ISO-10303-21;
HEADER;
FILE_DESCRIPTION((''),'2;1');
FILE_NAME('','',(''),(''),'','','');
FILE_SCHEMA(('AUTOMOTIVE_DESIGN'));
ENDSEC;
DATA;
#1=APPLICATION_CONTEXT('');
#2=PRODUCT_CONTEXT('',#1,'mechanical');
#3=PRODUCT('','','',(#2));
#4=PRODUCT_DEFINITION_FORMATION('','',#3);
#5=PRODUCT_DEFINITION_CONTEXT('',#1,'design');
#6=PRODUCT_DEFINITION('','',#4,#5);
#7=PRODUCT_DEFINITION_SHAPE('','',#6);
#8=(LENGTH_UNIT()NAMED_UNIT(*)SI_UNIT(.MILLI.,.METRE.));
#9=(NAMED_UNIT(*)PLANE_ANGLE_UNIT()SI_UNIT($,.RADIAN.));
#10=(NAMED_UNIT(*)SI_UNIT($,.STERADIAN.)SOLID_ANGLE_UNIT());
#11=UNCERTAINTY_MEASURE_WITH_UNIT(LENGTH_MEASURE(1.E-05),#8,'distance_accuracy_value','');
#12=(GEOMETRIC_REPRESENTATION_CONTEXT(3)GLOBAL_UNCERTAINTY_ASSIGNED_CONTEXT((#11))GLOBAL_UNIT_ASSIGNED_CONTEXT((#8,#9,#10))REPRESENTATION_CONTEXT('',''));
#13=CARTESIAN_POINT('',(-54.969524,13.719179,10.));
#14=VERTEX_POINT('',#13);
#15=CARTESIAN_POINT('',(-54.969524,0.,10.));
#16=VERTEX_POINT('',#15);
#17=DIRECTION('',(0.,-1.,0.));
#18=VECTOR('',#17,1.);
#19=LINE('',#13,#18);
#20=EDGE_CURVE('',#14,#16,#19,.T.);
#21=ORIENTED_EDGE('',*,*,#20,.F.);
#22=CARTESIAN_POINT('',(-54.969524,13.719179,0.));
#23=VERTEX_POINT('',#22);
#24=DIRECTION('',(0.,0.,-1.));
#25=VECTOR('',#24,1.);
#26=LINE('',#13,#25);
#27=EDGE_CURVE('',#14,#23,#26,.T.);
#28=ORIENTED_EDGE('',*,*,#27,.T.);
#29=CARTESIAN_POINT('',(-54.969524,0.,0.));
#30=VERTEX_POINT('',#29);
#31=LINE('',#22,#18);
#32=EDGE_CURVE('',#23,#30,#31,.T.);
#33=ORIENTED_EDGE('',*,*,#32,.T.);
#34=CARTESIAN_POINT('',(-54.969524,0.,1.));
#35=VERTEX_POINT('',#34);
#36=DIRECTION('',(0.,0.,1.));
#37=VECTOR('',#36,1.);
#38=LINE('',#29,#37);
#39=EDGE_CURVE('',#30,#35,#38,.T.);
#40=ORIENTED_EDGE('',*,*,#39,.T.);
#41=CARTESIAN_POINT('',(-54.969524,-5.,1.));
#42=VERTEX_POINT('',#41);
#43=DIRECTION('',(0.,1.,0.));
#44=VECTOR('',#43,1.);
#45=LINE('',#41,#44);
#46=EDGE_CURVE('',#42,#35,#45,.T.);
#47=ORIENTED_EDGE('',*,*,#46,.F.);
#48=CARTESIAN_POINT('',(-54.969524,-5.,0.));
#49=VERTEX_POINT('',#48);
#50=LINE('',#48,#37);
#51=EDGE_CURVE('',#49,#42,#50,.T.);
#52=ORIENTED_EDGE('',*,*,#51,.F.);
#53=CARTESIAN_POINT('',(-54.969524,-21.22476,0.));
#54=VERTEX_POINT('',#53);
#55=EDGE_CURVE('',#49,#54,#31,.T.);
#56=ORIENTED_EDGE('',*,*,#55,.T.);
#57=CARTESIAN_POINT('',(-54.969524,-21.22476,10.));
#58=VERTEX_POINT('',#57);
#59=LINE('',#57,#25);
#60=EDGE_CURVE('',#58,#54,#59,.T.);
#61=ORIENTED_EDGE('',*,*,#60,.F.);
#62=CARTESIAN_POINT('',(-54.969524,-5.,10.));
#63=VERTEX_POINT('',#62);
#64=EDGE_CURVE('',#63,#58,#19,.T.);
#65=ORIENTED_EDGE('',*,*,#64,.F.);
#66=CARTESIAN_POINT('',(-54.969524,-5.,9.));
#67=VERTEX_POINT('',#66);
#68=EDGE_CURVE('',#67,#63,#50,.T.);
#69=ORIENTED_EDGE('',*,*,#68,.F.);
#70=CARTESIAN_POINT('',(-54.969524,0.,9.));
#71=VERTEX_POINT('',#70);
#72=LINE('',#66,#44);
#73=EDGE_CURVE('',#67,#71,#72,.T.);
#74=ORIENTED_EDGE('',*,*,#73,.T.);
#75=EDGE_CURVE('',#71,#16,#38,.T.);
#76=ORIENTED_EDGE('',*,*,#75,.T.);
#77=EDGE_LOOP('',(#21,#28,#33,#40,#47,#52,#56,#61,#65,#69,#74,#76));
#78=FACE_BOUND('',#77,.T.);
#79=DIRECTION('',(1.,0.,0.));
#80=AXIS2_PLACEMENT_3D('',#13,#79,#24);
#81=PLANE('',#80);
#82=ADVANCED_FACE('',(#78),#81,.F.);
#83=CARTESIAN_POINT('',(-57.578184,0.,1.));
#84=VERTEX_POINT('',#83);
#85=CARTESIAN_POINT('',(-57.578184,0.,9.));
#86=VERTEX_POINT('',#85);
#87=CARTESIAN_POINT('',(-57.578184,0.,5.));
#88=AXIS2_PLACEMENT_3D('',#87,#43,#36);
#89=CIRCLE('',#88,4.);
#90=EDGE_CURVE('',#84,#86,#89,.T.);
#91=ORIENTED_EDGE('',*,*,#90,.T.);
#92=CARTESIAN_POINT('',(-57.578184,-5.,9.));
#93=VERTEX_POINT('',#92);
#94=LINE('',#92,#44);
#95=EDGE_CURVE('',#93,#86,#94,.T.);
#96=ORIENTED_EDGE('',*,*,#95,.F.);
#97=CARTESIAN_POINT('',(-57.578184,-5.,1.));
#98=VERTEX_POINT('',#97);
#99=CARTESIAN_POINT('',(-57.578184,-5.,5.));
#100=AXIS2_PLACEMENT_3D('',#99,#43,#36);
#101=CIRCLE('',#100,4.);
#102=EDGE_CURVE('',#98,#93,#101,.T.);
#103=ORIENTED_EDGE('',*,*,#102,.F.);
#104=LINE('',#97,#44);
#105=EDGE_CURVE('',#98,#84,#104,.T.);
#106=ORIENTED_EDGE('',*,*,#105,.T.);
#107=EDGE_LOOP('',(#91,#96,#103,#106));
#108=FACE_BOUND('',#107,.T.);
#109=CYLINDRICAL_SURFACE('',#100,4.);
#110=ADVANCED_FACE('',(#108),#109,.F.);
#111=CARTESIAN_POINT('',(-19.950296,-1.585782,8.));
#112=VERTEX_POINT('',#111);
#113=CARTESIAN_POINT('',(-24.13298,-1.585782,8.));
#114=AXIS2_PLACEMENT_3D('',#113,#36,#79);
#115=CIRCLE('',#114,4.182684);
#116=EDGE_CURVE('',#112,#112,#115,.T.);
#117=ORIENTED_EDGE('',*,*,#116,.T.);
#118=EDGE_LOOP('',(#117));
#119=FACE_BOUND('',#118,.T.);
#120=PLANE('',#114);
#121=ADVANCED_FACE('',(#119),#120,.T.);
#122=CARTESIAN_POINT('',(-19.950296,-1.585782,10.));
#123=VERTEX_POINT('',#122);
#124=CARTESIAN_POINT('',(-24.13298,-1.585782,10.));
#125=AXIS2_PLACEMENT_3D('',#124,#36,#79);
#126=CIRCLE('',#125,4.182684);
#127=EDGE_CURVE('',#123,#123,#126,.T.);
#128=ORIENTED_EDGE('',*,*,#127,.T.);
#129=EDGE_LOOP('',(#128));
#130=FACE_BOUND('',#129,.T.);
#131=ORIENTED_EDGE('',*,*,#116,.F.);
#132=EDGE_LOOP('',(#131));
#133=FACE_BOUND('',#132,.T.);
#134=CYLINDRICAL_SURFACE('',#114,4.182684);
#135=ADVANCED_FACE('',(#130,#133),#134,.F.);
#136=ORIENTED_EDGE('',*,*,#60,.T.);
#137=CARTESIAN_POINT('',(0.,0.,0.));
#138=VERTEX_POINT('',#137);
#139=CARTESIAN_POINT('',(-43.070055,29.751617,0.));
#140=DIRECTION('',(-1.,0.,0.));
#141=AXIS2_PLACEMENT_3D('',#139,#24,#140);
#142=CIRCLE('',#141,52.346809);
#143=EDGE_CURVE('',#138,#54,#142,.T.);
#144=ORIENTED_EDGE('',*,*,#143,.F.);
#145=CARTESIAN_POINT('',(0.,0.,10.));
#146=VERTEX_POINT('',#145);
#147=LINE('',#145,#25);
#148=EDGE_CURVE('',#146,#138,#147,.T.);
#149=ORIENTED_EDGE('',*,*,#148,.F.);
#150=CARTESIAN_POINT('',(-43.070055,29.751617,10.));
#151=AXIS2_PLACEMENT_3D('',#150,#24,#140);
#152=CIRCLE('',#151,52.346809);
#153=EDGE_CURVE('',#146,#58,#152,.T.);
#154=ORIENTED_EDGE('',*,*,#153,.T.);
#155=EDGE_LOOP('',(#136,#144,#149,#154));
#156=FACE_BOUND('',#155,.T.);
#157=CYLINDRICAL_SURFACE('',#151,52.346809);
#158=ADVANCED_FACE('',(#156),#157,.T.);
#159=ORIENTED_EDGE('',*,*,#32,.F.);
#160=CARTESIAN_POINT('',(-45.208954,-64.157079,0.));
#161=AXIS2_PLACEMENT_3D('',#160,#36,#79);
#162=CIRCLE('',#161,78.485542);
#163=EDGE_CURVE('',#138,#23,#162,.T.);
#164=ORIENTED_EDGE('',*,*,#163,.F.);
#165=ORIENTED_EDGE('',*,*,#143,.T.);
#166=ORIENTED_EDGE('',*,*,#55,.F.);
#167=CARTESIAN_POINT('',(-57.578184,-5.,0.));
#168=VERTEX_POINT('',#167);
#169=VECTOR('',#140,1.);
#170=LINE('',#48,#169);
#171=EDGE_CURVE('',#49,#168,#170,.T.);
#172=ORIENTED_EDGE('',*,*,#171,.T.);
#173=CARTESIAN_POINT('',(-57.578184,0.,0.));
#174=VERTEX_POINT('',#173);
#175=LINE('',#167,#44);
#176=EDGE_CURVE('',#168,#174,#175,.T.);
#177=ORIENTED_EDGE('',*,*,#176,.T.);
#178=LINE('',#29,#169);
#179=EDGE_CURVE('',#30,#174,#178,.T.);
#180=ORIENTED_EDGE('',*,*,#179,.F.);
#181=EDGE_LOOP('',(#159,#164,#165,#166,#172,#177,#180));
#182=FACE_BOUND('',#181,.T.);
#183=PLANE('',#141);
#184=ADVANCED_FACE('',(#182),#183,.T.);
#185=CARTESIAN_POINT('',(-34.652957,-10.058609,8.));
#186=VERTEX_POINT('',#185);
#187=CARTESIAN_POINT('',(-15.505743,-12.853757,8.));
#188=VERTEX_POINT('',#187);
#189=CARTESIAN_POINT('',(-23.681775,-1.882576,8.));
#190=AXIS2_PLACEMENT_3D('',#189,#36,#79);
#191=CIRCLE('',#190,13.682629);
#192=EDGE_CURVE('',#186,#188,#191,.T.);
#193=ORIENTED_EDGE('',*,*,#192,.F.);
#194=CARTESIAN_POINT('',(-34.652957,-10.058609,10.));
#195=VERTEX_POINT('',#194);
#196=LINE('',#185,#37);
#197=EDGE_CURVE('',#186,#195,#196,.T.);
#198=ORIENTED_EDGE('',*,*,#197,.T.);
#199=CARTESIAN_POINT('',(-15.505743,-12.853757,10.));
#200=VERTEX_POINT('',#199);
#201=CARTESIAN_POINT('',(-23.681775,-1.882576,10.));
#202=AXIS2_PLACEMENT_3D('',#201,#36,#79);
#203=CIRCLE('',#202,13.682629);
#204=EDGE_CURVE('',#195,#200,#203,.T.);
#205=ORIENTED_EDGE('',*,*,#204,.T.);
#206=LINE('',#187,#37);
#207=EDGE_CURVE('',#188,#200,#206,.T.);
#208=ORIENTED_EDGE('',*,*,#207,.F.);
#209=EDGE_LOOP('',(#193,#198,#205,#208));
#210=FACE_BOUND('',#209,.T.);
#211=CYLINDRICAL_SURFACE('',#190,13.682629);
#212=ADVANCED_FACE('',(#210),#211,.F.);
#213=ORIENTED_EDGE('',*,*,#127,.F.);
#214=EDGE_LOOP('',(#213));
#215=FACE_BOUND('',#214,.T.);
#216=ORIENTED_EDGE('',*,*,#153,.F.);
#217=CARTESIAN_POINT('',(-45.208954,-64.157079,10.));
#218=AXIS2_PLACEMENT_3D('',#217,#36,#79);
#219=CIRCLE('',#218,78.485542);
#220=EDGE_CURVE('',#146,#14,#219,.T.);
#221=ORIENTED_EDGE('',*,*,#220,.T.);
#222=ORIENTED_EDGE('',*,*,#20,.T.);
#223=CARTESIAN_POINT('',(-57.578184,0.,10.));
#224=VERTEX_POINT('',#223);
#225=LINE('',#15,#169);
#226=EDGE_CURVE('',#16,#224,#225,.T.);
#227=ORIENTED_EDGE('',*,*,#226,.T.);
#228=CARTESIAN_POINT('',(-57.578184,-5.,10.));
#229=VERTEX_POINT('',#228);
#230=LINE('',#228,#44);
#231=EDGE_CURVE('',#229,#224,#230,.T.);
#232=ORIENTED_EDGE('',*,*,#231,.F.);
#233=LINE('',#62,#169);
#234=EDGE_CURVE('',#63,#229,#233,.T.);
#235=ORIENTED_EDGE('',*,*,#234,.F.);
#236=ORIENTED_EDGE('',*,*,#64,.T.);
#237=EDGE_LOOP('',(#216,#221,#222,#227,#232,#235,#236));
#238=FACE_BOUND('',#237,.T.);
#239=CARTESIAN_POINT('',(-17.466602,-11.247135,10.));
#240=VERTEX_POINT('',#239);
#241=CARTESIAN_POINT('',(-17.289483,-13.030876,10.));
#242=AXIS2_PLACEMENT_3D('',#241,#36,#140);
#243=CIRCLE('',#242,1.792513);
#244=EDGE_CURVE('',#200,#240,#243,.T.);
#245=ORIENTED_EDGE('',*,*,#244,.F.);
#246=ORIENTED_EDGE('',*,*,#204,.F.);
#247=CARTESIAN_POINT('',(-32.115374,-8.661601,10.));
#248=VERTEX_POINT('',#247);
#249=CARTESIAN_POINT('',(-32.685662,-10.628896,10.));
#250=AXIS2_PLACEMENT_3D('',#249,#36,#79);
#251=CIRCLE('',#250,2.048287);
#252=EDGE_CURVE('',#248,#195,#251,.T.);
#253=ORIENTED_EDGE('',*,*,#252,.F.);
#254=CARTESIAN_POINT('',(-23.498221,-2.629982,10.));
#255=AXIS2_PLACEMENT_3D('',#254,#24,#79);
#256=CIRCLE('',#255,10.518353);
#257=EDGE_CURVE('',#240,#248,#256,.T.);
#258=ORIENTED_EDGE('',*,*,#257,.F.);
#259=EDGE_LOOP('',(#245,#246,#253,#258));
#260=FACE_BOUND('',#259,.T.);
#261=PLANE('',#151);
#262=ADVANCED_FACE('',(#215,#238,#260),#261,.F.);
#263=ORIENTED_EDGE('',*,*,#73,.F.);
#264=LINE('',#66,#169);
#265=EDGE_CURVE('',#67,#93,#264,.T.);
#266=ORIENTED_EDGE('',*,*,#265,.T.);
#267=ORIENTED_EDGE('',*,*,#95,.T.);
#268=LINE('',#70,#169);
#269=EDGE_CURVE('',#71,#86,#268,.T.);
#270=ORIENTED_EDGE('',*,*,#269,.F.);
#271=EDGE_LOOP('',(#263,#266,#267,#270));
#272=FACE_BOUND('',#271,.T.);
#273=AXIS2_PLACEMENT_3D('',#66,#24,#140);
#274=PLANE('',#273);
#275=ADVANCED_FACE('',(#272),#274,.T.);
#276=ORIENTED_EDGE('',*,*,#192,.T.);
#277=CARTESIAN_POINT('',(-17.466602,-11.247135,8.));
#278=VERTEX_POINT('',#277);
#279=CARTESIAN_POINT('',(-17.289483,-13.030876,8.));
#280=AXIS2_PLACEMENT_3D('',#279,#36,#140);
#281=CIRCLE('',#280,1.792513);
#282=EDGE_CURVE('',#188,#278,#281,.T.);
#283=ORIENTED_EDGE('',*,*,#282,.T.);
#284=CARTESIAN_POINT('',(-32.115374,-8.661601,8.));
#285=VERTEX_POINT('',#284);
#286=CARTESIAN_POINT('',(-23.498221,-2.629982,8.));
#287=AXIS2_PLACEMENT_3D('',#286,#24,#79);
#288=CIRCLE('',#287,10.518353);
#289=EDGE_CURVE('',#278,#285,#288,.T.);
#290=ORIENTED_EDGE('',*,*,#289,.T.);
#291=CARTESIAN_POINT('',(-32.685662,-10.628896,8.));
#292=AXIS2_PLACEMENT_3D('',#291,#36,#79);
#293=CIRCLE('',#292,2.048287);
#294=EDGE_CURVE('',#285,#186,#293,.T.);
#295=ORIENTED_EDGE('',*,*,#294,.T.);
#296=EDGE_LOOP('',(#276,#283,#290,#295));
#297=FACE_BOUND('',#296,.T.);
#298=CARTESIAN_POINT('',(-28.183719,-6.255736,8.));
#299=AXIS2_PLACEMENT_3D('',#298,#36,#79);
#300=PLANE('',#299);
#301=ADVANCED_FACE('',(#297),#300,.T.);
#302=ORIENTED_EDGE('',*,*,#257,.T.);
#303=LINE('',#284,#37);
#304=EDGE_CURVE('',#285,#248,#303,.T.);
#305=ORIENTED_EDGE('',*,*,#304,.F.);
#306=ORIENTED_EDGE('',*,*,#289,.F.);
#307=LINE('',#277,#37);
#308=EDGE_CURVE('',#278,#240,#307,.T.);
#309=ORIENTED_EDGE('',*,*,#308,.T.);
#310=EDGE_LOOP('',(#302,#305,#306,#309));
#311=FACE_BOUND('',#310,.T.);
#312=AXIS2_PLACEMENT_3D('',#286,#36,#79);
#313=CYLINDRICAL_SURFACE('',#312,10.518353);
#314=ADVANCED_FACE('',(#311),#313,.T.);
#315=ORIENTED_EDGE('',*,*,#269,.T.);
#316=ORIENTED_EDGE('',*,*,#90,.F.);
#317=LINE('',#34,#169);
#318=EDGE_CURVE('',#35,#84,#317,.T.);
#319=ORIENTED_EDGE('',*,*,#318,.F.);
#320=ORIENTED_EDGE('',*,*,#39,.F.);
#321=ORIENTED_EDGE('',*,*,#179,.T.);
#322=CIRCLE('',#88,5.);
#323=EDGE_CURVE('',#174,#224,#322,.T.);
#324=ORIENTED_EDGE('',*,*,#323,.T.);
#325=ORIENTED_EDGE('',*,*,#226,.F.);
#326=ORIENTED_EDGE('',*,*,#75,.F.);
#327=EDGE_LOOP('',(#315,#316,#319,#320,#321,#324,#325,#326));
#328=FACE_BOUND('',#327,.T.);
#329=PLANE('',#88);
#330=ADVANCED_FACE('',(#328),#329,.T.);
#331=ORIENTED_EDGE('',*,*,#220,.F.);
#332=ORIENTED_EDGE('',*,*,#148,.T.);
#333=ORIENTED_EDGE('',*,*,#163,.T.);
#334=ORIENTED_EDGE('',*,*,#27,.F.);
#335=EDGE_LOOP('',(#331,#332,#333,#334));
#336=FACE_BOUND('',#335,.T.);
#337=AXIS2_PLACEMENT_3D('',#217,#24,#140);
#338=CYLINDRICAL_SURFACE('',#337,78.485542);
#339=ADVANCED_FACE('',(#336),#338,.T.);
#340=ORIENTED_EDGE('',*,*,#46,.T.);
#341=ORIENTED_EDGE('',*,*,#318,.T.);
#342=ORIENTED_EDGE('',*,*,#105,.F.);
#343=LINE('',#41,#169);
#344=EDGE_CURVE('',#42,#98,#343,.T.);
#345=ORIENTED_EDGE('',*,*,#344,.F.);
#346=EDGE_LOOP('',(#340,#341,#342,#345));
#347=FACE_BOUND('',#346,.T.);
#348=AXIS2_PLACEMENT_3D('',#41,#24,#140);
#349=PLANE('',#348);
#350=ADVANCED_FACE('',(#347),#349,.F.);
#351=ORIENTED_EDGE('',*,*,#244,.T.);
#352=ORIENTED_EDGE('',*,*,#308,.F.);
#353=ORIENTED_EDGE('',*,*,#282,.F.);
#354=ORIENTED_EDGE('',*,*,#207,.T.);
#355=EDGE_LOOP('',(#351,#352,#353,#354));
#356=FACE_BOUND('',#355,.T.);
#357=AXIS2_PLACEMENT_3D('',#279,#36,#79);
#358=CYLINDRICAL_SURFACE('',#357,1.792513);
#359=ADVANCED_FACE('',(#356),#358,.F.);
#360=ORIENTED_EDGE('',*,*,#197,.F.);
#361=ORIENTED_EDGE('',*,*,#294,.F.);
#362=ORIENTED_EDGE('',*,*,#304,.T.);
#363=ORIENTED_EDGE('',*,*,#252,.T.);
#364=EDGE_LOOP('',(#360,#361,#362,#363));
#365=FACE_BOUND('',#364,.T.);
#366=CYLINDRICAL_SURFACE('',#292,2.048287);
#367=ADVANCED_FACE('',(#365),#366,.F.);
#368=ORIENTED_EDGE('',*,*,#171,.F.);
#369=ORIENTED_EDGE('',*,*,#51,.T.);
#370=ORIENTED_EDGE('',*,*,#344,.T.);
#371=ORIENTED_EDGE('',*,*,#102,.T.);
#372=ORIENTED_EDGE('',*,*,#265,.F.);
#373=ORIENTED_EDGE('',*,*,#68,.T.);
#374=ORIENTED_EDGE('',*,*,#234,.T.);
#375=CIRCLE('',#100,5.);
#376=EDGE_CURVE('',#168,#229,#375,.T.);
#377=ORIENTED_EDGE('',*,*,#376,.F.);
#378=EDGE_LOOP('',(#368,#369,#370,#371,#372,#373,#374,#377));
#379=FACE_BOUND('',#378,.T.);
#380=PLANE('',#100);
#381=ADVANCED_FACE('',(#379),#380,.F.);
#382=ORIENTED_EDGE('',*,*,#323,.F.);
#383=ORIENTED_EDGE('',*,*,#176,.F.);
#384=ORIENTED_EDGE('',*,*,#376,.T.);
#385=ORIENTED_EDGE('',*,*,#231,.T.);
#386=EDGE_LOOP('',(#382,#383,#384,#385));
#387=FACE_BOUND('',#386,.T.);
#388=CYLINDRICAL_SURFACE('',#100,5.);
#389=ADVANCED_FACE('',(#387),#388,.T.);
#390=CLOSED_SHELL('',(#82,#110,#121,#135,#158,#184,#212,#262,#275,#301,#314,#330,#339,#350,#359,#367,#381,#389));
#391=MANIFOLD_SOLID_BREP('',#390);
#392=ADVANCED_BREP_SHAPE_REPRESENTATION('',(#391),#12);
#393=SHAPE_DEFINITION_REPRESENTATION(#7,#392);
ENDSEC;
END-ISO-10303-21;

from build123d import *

# Parameters (mm, degrees)
EXTRUDE_1_DEPTH     = 10
SKETCH_2_R          = 4.182683646
CUT_EXTRUDE_1_DEPTH = 2
CUT_EXTRUDE_2_DEPTH = 2
EXTRUDE_2_DEPTH     = 5
CUT_EXTRUDE_4_DEPTH = 5


with BuildPart() as part:
    # 草圖1 → 填料-伸長1 (new body)
    with BuildSketch(Plane.XY):
        with BuildLine():
            Line((-54.969523774, 13.719179235), (-54.969523774, -21.22476033))
            ThreePointArc((-54.969523774, -21.22476033), (-24.214711694, -19.081408744), (0, 0))
            ThreePointArc((0, 0), (-26.203666434, 11.992637721), (-54.969523774, 13.719179235))
        make_face()
    extrude(amount=EXTRUDE_1_DEPTH)

    # 草圖2 → 除料-伸長1 (cut)
    with BuildSketch(Plane(origin=(-3.59892411, 0, 10), x_dir=(1, 0, 0), z_dir=(0, 0, 1))):
        with Locations((-20.534055943, -1.585781503)):
            Circle(SKETCH_2_R)
    extrude(amount=-CUT_EXTRUDE_1_DEPTH, mode=Mode.SUBTRACT)

    # 草圖3 → 除料-伸長2 (cut)
    with BuildSketch(Plane(origin=(-4.498655138, 1.869163063, 10), x_dir=(1, 0, 0), z_dir=(0, 0, 1))):
        with BuildLine():
            ThreePointArc((-30.154301824, -11.927771695), (-21.15958892, -17.29086396), (-11.007087523, -14.722920379))
            ThreePointArc((-11.007087523, -14.722920379), (-11.654774806, -13.513501992), (-12.967946819, -13.116298119))
            ThreePointArc((-12.967946819, -13.116298119), (-20.827814666, -14.857391145), (-27.616719206, -10.530763976))
            ThreePointArc((-27.616719206, -10.530763976), (-29.174840287, -10.703717268), (-30.154301824, -11.927771695))
        make_face()
    extrude(amount=-CUT_EXTRUDE_2_DEPTH, mode=Mode.SUBTRACT)

    # 草圖4 → 填料-伸長2 (add)
    with BuildSketch(Plane(origin=(0, 0, 0), x_dir=(1, 0, 0), z_dir=(0, 1, 0))):
        with BuildLine():
            Line((-54.969523774, 0), (-57.578183819, 0))
            ThreePointArc((-57.578183819, 0), (-62.578183819, -5), (-57.578183819, -10))
            Line((-57.578183819, -10), (-54.969523774, -10))
            Line((-54.969523774, -10), (-54.969523774, 0))
        make_face()
    extrude(amount=-EXTRUDE_2_DEPTH)

    # 草圖5 → 除料-伸長4 (cut)
    with BuildSketch(Plane(origin=(0, 0, 0), x_dir=(1, 0, 0), z_dir=(0, 1, 0))):
        with BuildLine():
            Line((-54.969523774, -1), (-57.578183819, -1))
            ThreePointArc((-57.578183819, -1), (-61.578183819, -5), (-57.578183819, -9))
            Line((-57.578183819, -9), (-54.969523774, -9))
            Line((-54.969523774, -9), (-54.969523774, -1))
        make_face()
    extrude(amount=-CUT_EXTRUDE_4_DEPTH, mode=Mode.SUBTRACT)


solid = part.part
